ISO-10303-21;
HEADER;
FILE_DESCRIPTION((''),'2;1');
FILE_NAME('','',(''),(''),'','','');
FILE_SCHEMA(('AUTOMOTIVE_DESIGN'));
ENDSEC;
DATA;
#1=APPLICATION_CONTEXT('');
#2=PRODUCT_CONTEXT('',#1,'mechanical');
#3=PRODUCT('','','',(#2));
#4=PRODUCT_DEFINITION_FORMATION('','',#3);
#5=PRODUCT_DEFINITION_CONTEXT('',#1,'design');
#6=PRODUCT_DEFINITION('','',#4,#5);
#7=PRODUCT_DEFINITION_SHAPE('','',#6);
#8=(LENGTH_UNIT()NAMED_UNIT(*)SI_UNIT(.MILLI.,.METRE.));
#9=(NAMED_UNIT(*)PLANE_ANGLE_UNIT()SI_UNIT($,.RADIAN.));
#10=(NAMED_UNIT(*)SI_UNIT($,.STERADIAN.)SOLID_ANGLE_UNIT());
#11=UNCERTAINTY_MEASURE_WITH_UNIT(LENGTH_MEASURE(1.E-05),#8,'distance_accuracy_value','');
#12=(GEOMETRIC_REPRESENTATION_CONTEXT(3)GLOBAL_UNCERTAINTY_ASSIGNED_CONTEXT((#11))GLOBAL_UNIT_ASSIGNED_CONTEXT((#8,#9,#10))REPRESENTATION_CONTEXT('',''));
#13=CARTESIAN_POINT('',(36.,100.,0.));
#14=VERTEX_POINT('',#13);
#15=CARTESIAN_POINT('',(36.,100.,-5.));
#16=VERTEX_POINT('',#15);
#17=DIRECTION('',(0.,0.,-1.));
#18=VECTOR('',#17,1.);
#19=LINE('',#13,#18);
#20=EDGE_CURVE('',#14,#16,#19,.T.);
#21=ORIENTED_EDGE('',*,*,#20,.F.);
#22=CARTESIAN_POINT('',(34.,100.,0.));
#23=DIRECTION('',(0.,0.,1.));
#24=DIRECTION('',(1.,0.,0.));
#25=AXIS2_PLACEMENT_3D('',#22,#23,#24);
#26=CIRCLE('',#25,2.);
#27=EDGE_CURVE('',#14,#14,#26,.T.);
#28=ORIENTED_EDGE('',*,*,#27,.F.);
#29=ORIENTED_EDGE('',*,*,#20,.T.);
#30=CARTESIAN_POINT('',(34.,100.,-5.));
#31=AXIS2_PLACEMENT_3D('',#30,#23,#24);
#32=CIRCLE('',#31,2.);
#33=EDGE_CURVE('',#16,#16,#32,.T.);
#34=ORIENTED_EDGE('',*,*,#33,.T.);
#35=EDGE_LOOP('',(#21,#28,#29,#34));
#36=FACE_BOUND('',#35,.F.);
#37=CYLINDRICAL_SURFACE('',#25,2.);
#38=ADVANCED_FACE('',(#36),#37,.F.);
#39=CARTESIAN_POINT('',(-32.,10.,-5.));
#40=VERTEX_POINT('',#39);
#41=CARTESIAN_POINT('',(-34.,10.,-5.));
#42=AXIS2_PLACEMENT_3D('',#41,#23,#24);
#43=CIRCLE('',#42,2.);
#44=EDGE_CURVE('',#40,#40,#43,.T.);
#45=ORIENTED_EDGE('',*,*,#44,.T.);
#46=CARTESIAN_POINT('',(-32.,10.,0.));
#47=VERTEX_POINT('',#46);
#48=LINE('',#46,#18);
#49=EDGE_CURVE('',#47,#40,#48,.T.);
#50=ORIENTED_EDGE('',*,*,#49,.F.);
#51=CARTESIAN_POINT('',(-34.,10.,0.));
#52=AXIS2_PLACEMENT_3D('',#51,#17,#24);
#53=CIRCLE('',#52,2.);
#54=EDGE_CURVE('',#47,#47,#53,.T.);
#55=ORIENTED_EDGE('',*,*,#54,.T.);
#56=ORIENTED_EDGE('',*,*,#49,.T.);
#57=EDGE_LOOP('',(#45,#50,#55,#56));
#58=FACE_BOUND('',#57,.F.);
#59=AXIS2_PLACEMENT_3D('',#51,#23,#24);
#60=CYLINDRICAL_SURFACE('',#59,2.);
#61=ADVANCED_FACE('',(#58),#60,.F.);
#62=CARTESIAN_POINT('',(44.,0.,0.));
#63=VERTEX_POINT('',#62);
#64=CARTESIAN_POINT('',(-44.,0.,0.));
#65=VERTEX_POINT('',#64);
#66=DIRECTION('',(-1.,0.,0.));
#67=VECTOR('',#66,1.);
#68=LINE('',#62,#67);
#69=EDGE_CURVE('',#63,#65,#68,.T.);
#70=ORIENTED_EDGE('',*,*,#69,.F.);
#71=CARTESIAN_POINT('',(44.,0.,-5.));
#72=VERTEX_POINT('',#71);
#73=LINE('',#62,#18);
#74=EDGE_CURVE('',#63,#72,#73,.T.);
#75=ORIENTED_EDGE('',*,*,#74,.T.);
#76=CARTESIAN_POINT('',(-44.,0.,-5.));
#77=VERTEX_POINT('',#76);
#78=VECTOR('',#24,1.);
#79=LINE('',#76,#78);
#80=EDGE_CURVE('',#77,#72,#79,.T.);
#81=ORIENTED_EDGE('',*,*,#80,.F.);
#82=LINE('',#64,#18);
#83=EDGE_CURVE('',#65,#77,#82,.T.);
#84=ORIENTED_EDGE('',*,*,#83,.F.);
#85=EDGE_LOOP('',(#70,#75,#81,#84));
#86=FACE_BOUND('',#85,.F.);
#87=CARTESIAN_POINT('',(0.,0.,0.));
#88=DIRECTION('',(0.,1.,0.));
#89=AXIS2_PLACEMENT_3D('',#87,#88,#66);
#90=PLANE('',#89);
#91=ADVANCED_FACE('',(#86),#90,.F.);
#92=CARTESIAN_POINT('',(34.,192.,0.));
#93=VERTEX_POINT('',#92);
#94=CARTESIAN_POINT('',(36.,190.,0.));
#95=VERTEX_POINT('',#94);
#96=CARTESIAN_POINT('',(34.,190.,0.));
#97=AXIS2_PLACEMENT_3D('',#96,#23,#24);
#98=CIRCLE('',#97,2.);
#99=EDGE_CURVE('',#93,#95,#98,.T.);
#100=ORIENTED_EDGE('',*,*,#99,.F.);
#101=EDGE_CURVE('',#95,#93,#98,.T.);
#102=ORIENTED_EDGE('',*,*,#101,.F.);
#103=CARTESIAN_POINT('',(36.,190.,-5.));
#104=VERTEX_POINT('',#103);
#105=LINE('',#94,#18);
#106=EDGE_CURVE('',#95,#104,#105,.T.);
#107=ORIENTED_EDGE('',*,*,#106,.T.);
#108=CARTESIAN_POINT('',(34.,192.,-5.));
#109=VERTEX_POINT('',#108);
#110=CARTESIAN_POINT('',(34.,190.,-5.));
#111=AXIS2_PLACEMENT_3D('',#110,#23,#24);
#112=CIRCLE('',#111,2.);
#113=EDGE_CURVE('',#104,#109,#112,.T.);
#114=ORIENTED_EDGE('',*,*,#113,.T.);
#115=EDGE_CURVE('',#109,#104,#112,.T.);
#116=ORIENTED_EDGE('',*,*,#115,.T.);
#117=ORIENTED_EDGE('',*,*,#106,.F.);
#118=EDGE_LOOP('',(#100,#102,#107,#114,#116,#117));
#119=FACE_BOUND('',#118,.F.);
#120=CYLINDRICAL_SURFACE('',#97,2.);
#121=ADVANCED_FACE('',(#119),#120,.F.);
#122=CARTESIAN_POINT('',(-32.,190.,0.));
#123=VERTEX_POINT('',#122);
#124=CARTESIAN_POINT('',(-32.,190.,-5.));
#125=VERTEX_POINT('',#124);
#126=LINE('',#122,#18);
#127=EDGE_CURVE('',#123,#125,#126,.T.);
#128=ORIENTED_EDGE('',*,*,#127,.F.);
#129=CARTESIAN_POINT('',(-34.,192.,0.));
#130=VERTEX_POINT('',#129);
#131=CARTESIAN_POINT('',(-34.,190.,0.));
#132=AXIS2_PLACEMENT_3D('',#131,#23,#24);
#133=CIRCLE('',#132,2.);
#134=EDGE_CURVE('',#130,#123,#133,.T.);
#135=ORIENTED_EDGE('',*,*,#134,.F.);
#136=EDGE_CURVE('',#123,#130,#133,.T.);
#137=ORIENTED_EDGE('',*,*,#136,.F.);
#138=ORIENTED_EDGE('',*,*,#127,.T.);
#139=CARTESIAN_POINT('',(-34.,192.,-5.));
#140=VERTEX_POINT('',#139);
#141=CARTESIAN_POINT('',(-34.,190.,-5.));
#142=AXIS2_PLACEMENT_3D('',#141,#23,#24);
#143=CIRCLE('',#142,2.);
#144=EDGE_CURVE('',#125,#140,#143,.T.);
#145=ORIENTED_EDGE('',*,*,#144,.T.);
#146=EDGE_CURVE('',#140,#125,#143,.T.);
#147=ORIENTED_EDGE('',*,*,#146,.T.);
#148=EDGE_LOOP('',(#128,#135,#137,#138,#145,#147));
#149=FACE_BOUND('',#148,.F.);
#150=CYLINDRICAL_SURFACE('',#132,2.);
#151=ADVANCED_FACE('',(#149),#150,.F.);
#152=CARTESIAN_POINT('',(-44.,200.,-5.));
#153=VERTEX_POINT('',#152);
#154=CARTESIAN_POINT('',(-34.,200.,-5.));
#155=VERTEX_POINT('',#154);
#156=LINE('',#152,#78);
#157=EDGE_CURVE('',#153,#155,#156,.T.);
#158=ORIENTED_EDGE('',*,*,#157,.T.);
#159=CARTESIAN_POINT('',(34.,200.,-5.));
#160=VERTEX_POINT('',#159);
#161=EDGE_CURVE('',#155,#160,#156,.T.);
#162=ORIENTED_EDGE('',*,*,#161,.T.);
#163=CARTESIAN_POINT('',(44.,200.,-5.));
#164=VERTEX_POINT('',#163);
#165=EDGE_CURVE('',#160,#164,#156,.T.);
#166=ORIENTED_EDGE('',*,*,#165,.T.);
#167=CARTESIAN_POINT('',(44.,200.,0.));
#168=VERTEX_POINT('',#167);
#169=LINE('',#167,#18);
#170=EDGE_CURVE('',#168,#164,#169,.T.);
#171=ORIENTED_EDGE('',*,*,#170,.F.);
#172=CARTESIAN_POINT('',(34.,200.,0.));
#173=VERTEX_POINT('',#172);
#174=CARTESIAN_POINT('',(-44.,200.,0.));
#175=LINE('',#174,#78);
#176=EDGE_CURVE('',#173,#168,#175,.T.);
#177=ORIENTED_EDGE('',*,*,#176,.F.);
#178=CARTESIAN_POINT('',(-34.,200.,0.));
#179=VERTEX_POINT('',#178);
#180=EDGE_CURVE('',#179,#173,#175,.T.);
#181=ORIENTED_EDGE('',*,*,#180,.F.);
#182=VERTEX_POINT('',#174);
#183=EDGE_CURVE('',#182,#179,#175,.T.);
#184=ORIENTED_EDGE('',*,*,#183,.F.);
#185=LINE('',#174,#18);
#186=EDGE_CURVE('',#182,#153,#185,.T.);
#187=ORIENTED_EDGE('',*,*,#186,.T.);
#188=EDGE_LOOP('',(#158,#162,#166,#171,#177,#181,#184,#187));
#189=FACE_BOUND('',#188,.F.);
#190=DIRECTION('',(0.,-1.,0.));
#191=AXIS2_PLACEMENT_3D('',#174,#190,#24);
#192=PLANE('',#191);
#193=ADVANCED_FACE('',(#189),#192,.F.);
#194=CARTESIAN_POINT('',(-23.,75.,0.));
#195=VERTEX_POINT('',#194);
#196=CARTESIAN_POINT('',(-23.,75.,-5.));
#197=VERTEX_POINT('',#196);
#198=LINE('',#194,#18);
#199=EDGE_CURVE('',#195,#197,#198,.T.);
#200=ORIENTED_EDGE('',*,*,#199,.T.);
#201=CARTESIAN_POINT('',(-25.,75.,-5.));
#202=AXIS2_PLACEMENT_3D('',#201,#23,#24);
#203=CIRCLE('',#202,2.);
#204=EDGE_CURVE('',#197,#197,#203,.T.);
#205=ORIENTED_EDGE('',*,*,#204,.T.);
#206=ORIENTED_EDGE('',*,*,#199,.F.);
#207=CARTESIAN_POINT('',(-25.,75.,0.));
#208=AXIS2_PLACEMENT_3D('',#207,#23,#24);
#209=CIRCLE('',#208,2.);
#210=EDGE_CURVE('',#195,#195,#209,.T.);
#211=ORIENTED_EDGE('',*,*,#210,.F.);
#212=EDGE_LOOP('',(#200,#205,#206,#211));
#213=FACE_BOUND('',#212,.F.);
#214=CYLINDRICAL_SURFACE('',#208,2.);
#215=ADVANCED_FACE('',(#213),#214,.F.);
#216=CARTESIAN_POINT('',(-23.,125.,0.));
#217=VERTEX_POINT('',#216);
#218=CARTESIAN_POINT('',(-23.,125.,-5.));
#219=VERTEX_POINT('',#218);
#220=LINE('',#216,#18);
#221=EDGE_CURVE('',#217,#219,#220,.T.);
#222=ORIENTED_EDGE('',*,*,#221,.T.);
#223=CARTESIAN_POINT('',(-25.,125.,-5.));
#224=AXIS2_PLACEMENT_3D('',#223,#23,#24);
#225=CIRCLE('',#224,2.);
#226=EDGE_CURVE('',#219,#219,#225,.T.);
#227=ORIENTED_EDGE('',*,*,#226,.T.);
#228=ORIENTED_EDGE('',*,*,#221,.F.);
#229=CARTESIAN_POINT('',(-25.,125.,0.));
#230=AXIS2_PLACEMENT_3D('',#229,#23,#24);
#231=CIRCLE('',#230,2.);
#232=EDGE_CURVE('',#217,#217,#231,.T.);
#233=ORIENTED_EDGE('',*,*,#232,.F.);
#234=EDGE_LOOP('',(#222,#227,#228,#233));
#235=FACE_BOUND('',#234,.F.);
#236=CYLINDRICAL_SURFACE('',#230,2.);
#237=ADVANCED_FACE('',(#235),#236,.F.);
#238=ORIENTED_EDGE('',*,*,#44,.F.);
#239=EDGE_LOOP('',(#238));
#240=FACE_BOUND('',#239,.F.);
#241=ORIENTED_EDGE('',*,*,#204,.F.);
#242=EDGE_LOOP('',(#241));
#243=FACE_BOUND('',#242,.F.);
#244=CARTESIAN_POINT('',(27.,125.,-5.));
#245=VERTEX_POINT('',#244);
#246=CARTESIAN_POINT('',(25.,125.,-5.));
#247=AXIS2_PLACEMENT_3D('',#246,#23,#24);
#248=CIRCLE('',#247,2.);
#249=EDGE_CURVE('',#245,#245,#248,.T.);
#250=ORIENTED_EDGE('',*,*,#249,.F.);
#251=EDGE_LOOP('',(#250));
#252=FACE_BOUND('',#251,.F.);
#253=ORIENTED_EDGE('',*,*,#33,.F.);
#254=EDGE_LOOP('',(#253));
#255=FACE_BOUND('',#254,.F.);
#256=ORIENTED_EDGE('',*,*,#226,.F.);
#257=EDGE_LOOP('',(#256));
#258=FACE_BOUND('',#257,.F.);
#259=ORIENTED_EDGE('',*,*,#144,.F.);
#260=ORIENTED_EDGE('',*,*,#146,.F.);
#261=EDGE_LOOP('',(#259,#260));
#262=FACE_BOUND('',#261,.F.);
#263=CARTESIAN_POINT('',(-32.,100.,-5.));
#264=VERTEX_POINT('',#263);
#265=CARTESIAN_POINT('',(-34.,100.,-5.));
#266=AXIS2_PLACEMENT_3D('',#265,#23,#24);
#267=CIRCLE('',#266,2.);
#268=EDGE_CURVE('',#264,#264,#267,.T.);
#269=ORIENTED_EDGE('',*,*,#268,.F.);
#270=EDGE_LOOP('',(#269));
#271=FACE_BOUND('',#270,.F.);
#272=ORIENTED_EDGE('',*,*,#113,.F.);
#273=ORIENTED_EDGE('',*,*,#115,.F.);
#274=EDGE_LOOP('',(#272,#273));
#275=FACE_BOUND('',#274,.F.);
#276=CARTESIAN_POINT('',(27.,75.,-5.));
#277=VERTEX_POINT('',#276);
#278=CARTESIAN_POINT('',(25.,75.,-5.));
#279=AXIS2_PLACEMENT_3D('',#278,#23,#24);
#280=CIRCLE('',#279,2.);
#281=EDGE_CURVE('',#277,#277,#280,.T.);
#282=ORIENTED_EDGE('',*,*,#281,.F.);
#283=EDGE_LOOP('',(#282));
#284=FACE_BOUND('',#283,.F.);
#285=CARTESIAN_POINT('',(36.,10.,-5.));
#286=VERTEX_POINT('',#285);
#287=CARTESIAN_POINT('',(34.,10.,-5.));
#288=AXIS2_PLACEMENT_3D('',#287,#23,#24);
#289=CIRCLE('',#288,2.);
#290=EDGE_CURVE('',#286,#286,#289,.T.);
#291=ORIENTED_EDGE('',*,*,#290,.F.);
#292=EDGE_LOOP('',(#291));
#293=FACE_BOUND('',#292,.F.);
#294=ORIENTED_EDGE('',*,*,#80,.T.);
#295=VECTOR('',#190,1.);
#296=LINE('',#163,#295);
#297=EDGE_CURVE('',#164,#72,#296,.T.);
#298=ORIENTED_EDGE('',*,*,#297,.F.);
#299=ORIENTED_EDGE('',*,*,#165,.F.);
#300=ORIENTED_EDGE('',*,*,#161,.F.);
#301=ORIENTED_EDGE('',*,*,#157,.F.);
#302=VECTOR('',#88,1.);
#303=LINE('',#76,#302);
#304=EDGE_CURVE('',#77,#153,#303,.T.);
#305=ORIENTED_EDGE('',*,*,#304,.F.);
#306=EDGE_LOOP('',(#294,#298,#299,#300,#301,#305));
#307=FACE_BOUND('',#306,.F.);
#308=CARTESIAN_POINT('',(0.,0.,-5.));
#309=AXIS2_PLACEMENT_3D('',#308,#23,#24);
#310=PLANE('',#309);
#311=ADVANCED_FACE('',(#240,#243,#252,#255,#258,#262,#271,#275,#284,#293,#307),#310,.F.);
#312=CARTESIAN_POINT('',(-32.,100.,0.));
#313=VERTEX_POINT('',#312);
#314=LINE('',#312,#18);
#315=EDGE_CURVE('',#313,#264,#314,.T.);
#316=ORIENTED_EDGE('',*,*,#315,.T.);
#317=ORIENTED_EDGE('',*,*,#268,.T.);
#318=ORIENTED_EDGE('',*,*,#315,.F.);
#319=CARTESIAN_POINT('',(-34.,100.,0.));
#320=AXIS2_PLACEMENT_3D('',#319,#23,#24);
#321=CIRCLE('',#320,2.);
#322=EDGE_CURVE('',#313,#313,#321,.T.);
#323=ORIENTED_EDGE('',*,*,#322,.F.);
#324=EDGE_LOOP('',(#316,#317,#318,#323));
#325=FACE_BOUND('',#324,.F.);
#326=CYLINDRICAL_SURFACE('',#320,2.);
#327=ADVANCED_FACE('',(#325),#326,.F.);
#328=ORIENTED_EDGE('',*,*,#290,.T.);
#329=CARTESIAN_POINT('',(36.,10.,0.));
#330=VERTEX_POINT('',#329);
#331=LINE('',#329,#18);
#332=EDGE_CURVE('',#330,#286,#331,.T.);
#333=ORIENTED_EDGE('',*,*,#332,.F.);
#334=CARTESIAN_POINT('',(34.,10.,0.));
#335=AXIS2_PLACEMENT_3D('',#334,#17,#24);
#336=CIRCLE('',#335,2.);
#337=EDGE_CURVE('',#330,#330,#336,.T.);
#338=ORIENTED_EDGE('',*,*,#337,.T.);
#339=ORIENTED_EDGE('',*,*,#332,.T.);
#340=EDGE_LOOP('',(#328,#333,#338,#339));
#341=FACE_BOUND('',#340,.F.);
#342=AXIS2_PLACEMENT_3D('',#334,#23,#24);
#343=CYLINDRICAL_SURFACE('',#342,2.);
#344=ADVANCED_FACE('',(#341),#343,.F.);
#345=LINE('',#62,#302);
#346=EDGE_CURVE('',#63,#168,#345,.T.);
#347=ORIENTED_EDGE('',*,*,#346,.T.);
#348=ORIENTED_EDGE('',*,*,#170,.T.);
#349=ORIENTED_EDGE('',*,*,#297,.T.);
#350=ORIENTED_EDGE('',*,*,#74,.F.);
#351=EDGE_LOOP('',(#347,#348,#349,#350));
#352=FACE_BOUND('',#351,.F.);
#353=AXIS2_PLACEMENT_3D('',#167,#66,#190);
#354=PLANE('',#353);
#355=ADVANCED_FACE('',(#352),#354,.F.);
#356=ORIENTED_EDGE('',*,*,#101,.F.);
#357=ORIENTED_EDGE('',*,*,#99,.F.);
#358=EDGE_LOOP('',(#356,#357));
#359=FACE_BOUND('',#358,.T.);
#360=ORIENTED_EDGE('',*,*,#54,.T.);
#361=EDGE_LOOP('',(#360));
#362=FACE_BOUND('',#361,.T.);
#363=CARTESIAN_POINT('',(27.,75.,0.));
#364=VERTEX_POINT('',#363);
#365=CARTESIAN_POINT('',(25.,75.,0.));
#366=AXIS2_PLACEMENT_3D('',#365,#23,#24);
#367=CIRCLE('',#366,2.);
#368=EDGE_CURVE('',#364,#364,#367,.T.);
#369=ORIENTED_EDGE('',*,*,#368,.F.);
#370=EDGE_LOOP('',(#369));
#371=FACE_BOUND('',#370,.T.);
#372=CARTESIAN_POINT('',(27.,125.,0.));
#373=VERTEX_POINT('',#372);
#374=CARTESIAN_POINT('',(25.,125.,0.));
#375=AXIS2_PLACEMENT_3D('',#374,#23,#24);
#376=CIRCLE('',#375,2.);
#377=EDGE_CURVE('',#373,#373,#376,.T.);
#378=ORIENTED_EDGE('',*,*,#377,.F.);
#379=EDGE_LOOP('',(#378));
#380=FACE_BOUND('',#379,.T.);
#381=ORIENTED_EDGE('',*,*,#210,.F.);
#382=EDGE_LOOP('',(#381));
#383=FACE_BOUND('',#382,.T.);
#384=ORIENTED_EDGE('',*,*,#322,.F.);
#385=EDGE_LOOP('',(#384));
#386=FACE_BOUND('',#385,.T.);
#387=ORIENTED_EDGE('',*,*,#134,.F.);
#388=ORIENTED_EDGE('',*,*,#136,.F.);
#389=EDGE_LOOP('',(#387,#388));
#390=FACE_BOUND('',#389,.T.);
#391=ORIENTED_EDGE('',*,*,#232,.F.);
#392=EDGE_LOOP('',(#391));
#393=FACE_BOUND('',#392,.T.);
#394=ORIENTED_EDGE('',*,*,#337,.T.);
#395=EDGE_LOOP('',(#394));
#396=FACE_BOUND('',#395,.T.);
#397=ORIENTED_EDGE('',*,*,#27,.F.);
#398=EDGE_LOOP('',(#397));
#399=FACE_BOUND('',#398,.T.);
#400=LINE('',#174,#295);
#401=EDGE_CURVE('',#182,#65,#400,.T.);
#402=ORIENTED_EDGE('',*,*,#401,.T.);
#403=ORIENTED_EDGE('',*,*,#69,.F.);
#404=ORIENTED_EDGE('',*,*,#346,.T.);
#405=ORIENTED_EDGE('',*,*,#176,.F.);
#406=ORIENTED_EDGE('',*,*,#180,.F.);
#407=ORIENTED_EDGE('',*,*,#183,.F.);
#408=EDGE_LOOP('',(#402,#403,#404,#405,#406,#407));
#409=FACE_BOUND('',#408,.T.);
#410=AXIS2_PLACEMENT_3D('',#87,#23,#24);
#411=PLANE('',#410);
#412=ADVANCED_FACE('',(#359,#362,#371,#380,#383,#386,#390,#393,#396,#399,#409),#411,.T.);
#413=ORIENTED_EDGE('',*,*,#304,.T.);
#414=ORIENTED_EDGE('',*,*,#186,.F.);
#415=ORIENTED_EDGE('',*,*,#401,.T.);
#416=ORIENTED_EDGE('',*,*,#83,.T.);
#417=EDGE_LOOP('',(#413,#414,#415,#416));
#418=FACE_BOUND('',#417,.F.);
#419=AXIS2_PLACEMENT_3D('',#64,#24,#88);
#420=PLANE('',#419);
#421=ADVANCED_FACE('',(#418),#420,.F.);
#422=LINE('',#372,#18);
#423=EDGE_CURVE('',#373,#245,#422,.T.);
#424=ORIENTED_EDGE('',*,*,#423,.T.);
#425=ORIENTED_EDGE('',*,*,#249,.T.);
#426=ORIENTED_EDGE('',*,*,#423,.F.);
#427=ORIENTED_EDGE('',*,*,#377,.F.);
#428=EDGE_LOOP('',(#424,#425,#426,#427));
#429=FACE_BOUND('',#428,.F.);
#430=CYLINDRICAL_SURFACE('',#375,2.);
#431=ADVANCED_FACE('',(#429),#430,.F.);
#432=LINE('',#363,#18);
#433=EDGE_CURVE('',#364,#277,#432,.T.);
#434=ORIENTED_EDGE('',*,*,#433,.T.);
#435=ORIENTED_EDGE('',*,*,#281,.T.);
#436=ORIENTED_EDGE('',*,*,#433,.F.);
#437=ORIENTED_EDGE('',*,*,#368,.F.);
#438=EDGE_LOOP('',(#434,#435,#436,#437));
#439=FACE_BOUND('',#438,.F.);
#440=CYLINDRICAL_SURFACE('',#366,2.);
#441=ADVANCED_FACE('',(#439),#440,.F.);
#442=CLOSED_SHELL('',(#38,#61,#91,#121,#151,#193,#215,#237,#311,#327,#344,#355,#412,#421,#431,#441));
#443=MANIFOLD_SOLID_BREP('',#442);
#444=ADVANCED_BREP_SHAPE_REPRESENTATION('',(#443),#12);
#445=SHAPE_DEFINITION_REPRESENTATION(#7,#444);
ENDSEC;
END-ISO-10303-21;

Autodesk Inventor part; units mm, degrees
ref_plane "YZ Plane" through (0, 0, 0) normal (1, 0, 0) x (0, 1, 0)
ref_plane "XZ Plane" through (0, 0, 0) normal (0, 1, 0) x (-1, 0, 0)
ref_plane "XY Plane" through (0, 0, 0) normal (0, 0, 1) x (1, 0, 0)
sketch "Esquisse1" plane through (0, 0, 0) normal (0, 0, 1) x (1, 0, 0)
  line L0 (0, 0) -> (-44, 0)
  line L1 (-44, 0) -> (-44, 200)
  line L2 (-44, 200) -> (44, 200)
  line L3 (44, 200) -> (44, 0)
  line L4 (44, 0) -> (0, 0)
  line L5 (-34, 200) -> (-34, 190)
  line L6 (-34, 190) -> (-34, 100) construction
  line L7 (-34, 100) -> (-34, 10) construction
  line L8 (-34, 10) -> (-34, 0)
  line L9 (34, 0) -> (34, 10)
  line L10 (34, 10) -> (34, 100) construction
  line L11 (34, 100) -> (34, 190) construction
  line L12 (34, 190) -> (34, 200)
  circle A0 centre (-34, 190) radius 2
  circle A1 centre (34, 190) radius 2
  circle A2 centre (34, 100) radius 2
  circle A3 centre (-34, 100) radius 2
  circle A4 centre (-34, 10) radius 2
  circle A5 centre (34, 10) radius 2
  line L13 (-34, 10) -> (-44, 10)
  line L14 (34, 10) -> (44, 10)
  line L15 (25, 125) -> (-25, 125) construction
  line L16 (-25, 125) -> (-25, 75) construction
  line L17 (-25, 75) -> (25, 75) construction
  line L18 (25, 75) -> (25, 125) construction
  line L19 (25, 125) -> (-25, 75) construction
  line L20 (-25, 125) -> (25, 75) construction
  line L21 (-34, 100) -> (34, 100) construction
  circle A6 centre (-25, 125) radius 2
  circle A7 centre (25, 125) radius 2
  circle A8 centre (25, 75) radius 2
  circle A9 centre (-25, 75) radius 2
  point P0 (0, 100)
  dimension "d0" = 200
  dimension "d3" = 88
  dimension "d4" = 10
  dimension "d5" = 4
  dimension "d8" = 4
  dimension "d9" = 50
  dimension "d10" = 50
extrude "Extrusion1" add sketch "Esquisse1" against normal blind 5 contours L0 L8 A4 L13 L1 L2 L3 L14 A5 L9 L4 | L0 L1 L13 A4 L8 | L9 A5 L14 L3 L4
properties part number "Plaque gauche"
